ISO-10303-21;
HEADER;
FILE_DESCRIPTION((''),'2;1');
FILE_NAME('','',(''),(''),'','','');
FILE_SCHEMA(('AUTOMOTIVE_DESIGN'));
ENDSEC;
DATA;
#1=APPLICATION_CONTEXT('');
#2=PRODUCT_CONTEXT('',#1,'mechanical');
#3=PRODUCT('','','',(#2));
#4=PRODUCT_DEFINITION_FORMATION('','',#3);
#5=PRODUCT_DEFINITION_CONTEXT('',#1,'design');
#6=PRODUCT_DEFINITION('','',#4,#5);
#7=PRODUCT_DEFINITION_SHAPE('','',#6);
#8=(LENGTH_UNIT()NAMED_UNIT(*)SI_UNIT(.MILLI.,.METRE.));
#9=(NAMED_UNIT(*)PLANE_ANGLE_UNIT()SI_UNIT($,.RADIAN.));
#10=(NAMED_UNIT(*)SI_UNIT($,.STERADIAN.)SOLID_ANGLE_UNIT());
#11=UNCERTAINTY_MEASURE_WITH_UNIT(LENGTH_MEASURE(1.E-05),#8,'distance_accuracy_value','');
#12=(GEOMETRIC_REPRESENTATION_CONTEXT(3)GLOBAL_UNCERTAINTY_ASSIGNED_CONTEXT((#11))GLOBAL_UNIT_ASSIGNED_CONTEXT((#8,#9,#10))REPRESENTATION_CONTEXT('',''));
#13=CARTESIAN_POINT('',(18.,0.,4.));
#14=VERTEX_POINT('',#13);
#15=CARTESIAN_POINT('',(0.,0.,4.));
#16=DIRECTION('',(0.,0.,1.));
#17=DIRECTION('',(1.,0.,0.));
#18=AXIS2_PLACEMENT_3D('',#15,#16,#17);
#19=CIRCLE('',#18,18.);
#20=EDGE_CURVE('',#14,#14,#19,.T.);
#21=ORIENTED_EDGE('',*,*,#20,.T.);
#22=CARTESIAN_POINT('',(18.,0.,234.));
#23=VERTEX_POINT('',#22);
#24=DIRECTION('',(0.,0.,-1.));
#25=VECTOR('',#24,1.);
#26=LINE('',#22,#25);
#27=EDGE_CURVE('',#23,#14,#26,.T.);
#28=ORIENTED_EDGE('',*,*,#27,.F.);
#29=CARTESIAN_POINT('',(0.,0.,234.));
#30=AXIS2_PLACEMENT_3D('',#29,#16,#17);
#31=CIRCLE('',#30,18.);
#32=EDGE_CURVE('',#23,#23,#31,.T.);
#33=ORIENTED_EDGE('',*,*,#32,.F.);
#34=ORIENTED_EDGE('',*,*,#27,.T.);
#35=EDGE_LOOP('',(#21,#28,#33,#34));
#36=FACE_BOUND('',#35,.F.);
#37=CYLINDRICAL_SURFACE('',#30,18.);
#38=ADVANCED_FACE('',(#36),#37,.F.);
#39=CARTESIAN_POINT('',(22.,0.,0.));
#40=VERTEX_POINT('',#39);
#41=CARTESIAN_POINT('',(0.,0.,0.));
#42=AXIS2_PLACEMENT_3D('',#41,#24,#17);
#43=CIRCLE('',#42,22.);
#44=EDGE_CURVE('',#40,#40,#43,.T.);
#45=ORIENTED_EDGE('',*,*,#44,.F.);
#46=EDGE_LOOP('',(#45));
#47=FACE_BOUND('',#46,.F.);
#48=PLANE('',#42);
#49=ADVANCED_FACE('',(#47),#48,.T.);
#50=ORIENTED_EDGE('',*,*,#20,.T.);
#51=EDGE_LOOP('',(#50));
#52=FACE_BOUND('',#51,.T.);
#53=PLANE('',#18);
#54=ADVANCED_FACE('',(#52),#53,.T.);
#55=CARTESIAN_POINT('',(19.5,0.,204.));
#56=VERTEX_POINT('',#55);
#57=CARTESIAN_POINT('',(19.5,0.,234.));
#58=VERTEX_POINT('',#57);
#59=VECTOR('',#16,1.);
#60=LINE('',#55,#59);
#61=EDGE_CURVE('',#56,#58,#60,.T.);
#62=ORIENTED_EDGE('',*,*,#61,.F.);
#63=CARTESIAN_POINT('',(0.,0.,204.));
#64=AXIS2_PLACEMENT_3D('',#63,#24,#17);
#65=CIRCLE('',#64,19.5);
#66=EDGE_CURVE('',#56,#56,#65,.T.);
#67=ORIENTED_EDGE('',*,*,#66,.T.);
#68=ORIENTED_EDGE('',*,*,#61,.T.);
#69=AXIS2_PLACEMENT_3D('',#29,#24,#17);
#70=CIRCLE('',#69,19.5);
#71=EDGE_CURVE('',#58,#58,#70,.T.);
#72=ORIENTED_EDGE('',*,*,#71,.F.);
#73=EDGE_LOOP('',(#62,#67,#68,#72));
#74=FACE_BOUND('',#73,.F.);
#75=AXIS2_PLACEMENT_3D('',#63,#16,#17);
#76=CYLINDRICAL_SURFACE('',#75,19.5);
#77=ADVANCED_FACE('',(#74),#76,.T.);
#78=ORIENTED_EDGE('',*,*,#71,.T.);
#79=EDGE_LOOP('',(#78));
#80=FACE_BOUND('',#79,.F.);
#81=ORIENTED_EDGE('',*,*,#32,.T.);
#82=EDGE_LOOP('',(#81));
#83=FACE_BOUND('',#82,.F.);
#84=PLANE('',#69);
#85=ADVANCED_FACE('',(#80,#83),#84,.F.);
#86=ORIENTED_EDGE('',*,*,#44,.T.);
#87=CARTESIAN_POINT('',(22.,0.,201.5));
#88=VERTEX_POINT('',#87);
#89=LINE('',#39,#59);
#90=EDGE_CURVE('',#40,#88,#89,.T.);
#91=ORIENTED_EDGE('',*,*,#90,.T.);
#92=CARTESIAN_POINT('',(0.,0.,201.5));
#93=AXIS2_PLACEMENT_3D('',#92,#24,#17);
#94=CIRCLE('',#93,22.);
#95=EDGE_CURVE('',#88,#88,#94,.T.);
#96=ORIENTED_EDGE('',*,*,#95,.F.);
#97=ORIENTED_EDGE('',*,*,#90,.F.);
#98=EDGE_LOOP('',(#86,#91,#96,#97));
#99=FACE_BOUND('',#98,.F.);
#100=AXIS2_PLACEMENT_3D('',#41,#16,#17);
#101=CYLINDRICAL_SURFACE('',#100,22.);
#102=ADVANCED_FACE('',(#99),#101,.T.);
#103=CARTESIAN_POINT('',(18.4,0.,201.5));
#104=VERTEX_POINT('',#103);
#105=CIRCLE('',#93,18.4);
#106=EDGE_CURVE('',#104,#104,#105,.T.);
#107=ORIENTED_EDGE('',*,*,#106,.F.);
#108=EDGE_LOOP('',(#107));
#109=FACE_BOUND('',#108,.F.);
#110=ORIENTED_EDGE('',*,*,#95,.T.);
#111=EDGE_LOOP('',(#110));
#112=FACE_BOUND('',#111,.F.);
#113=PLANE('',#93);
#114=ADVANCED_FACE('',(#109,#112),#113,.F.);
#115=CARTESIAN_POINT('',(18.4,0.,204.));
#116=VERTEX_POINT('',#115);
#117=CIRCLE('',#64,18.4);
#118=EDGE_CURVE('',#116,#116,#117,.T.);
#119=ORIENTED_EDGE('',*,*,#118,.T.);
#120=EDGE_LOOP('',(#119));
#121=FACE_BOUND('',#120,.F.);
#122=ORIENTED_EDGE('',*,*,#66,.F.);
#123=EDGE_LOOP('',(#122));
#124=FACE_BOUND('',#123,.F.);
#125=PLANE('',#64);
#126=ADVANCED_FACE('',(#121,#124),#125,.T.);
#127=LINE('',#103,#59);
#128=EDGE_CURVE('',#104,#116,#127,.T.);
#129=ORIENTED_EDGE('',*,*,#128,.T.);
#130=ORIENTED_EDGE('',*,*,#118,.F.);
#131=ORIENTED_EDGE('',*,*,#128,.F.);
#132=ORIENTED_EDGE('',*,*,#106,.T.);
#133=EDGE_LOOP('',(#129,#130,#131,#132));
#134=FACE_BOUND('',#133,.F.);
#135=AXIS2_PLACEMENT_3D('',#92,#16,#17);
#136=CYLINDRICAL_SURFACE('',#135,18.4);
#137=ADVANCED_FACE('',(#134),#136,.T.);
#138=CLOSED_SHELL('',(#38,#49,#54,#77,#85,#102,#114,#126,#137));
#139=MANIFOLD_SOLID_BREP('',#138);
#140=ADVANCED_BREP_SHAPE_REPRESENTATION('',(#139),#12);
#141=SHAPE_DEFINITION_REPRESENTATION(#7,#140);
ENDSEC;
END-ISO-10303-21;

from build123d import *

# Parameters (mm, degrees)
F3_R     = 18
F4_DEPTH = 230


with BuildPart() as f1:
    # F0 (on Front) → F1 (revolve)
    with BuildSketch(Plane.XZ):
        Polygon((0, 234), (0, 0), (22, 0), (22, 201.5), (18.4, 201.5), (18.4, 204), (19.5, 204), (19.5, 234), align=None)
    revolve(axis=Axis((0, 0, 117), (0, 0, -1)))

    # F3 (on face) → F4 (cut)
    with BuildSketch(Plane.XY.offset(234)):
        Circle(F3_R)
    extrude(amount=-F4_DEPTH, mode=Mode.SUBTRACT)


solid = f1.part
